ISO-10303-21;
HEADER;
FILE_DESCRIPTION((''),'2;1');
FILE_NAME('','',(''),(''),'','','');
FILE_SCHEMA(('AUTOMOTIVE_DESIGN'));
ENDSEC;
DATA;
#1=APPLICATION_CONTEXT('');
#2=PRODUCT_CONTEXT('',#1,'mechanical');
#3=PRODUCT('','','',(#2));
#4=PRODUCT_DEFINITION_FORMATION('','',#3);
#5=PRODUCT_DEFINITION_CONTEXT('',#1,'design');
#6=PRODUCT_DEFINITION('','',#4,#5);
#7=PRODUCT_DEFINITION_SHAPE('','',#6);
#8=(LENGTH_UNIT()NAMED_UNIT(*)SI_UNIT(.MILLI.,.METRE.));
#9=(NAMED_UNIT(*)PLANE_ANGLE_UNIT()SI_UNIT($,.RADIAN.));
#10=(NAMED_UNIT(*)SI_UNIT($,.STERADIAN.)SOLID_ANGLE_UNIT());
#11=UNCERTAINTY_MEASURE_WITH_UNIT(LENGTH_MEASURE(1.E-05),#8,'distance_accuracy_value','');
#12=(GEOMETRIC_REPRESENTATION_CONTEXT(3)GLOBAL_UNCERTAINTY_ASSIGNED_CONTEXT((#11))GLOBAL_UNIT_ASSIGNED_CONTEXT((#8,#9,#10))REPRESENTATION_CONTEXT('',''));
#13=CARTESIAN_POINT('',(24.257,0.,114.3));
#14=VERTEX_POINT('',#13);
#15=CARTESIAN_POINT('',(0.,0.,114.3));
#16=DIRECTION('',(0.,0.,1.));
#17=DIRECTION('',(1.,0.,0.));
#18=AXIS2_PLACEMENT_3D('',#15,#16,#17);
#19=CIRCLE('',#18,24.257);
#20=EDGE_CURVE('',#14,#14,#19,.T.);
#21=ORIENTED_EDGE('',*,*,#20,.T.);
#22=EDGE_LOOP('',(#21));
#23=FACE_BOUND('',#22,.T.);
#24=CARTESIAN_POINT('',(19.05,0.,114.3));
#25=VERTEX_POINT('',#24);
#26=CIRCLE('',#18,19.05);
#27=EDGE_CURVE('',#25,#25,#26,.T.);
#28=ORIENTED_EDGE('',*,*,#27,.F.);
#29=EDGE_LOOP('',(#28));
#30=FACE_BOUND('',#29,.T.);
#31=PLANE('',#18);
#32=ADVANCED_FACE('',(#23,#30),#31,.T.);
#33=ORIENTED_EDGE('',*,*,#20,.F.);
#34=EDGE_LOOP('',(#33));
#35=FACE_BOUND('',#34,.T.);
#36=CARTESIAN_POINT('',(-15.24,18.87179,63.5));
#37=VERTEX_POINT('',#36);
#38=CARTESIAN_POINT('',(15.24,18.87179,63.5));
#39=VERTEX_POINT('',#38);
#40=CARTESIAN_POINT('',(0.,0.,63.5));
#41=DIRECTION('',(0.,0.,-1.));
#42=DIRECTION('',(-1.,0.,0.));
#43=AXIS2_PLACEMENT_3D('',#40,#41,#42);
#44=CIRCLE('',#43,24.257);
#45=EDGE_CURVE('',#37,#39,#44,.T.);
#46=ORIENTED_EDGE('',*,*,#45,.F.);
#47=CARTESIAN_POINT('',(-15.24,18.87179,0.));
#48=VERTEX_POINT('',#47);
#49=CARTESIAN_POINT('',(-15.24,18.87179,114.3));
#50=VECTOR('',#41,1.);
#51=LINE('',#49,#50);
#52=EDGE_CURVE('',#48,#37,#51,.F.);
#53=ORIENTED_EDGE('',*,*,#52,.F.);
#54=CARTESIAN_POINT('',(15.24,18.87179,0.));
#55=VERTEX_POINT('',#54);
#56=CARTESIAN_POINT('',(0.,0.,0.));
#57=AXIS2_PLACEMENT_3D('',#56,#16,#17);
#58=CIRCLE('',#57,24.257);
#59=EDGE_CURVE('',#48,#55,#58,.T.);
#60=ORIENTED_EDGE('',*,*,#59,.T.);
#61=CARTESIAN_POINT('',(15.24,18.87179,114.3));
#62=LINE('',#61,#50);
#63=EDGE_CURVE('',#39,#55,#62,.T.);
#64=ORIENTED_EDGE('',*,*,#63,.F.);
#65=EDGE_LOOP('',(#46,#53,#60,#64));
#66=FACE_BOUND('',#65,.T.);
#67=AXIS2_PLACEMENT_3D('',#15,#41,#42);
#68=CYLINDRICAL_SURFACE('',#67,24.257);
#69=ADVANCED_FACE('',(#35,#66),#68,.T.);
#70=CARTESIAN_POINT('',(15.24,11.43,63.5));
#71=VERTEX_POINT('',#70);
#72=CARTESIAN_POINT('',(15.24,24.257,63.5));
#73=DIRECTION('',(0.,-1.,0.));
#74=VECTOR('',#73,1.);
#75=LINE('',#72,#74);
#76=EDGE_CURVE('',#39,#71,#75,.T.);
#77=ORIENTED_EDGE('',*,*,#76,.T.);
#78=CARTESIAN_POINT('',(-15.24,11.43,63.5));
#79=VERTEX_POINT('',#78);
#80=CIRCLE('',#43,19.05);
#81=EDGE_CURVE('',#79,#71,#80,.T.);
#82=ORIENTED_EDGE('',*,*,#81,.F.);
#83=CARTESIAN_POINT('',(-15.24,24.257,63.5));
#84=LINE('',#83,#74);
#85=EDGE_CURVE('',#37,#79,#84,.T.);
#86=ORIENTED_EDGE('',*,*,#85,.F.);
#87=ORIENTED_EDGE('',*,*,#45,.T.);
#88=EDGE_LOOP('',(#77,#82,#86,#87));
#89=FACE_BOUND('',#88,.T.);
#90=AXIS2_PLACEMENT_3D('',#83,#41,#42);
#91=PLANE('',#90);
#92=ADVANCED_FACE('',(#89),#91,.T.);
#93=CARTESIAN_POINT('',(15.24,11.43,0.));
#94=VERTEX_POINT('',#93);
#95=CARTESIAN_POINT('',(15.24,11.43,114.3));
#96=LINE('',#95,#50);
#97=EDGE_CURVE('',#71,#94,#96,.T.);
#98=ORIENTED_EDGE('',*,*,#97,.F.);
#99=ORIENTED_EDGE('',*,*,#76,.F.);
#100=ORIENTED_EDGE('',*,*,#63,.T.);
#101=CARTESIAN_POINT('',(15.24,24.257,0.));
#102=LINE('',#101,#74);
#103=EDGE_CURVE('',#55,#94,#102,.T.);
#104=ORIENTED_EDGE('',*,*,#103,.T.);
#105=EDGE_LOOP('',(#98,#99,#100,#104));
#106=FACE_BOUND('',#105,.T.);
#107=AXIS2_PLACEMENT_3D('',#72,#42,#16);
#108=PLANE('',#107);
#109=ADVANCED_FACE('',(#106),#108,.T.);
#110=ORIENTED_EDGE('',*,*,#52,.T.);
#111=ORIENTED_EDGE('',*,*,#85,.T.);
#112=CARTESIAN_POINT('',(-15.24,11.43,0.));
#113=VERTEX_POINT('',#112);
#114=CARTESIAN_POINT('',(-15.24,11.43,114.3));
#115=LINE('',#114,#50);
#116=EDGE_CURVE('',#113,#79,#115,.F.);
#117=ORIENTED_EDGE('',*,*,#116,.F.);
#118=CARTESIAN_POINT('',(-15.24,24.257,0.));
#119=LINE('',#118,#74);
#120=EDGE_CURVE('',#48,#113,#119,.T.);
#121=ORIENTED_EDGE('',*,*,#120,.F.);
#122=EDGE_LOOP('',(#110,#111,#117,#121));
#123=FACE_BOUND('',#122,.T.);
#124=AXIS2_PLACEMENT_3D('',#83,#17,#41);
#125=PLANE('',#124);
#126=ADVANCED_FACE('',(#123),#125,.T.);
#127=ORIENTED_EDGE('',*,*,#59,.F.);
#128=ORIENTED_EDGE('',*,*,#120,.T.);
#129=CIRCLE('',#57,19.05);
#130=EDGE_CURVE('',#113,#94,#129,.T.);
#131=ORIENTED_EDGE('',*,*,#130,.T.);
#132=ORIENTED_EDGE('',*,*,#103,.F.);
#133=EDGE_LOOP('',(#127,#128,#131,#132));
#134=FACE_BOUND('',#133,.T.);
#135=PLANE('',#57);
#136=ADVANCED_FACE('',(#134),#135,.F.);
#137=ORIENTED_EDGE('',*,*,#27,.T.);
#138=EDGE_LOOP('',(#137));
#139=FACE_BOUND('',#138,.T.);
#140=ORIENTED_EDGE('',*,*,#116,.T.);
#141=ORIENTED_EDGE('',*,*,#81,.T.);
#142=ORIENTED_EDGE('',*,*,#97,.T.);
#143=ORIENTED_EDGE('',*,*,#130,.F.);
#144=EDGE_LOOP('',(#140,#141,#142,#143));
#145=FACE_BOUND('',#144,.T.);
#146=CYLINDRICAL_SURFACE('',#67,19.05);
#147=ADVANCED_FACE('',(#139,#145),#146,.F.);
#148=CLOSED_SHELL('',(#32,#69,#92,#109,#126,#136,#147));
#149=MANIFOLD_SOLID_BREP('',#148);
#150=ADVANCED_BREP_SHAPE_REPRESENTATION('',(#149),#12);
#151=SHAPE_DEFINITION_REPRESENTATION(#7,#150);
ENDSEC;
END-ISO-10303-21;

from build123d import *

# Parameters (mm, degrees)
SKETCH1_R               = 24.257
SKETCH1_R_2             = 19.05
BOSS_EXTRUDE1_DEPTH     = 114.3
CUT_EXTRUDE1_DEPTH      = 120.336893281
CUT_EXTRUDE1_DEPTH_BACK = 2.54
SKETCH2_W               = 30.48
SKETCH2_H               = 63.5


with BuildPart() as part:
    # Sketch1 → Boss-Extrude1 (new body)
    with BuildSketch(Plane.XY):
        Circle(SKETCH1_R)
        Circle(SKETCH1_R_2, mode=Mode.SUBTRACT)
    extrude(amount=BOSS_EXTRUDE1_DEPTH)

    # Sketch2 → Cut-Extrude1 (cut, two sides: drawn at the far end of the back side and taken through both)
    with BuildSketch(Plane(origin=(0, 0, 0), x_dir=(1, 0, 0), z_dir=(0, 1, 0)).offset(-CUT_EXTRUDE1_DEPTH_BACK)):
        with Locations((0, -31.75)):
            Rectangle(SKETCH2_W, SKETCH2_H)
    extrude(amount=CUT_EXTRUDE1_DEPTH + CUT_EXTRUDE1_DEPTH_BACK, mode=Mode.SUBTRACT)


solid = part.part
